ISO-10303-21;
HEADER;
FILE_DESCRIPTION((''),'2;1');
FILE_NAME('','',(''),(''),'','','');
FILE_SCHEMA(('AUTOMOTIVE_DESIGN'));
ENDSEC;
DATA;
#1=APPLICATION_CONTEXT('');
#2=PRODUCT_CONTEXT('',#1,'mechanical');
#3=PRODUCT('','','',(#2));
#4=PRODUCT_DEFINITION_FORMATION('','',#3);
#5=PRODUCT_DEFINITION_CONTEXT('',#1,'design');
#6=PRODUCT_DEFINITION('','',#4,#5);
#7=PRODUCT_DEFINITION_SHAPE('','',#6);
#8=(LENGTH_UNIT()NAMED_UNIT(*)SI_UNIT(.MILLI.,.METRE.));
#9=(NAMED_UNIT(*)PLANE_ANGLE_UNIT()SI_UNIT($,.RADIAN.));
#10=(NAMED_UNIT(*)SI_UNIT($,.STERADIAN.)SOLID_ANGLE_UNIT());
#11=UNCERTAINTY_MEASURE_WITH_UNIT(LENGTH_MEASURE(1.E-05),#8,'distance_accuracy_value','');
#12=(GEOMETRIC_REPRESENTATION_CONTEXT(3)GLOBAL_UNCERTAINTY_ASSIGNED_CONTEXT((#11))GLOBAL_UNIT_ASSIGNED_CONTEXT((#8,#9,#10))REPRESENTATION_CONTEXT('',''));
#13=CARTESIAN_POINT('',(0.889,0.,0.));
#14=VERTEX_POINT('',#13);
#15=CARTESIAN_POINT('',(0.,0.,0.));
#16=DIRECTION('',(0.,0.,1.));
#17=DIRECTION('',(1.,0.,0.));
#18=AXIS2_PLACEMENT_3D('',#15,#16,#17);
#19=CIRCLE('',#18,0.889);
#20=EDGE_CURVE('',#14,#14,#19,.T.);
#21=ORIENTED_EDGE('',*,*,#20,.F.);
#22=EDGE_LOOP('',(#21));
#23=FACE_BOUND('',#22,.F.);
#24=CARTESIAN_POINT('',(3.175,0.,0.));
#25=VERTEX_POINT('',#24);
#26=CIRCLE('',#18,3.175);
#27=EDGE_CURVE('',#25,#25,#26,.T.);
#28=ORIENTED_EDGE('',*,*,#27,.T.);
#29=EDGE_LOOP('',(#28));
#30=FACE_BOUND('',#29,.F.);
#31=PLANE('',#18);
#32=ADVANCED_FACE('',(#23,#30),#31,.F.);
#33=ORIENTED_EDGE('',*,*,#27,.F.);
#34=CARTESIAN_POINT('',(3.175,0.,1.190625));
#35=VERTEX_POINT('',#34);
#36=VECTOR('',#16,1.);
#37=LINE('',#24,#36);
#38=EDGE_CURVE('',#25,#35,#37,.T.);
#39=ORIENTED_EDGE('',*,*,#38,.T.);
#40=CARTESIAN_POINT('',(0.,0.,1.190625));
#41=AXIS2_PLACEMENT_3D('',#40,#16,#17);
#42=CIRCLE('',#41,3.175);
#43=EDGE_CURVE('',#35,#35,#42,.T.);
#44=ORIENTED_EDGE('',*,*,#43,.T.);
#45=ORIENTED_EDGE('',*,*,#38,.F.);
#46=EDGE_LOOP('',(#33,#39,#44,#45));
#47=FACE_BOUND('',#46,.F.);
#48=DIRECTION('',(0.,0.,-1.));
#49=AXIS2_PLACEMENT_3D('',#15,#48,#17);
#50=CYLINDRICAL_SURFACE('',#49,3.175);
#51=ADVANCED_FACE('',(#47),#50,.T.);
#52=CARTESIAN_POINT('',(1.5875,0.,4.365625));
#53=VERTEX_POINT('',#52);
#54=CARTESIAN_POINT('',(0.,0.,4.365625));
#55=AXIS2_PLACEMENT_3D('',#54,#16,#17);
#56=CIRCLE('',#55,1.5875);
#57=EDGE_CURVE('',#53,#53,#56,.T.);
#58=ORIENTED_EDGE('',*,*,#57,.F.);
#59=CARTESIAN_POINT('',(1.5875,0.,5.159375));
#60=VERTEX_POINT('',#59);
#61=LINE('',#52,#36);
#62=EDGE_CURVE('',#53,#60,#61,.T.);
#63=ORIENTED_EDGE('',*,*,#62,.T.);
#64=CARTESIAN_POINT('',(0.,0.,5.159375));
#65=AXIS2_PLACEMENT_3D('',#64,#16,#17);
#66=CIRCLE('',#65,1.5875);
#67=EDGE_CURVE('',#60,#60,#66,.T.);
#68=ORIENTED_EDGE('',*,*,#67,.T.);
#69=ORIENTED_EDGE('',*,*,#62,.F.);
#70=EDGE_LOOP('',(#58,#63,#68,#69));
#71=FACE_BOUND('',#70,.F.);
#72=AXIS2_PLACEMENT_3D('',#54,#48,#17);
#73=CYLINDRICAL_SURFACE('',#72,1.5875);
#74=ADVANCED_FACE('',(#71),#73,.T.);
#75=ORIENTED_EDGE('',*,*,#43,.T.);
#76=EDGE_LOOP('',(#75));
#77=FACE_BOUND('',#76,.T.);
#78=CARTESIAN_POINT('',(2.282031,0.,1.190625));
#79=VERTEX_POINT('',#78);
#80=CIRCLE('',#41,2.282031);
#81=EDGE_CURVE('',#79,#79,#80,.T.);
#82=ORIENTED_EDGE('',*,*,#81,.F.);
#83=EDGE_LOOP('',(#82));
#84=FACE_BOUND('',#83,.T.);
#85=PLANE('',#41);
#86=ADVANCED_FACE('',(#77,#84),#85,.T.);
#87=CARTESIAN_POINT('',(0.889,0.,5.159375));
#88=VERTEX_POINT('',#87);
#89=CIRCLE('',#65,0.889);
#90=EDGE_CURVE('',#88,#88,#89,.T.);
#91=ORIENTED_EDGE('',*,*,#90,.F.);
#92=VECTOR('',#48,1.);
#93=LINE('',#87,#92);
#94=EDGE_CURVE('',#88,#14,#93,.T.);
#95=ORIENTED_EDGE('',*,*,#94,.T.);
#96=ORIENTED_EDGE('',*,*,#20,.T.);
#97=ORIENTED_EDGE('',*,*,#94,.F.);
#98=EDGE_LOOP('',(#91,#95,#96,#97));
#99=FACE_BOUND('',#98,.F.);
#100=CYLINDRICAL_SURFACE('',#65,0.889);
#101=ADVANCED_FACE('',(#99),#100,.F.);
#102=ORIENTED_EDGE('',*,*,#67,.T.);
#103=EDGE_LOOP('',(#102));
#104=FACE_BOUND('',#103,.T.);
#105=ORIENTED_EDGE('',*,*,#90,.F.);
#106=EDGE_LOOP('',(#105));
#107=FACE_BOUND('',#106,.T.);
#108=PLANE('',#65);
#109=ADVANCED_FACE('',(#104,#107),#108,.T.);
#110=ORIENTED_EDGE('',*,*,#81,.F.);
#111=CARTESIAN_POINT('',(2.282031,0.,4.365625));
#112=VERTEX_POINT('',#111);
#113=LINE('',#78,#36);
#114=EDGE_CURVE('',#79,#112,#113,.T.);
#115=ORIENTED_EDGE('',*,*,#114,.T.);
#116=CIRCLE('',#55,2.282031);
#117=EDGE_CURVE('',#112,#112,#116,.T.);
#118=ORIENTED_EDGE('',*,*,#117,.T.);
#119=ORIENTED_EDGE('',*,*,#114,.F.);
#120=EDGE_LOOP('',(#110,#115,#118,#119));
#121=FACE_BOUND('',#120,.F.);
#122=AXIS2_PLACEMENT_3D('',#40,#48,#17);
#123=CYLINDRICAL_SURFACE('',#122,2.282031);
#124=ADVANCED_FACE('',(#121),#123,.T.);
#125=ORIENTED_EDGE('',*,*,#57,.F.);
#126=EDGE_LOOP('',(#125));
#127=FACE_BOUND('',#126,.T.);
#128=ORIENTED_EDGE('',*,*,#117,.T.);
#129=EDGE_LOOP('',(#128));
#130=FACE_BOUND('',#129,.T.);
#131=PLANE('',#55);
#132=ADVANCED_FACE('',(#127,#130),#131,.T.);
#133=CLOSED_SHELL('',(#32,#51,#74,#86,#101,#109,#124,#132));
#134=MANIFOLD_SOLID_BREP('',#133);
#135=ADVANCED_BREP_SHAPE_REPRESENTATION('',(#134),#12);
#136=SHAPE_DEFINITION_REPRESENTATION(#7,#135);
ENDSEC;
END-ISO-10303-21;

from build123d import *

# Parameters (mm, degrees)
F0_R     = 3.175
F1_DEPTH = 1.190625
F2_R     = 2.282031
F3_DEPTH = 3.175
F4_R     = 1.5875
F5_DEPTH = 0.79375
F6_R     = 0.889
F7_DEPTH = 5.160375


with BuildPart() as f1:
    # F0 (on Top) → F1 (new body)
    with BuildSketch(Plane.XY):
        Circle(F0_R)
    extrude(amount=F1_DEPTH)

    # F2 (on face) → F3 (join)
    with BuildSketch(Plane.XY.offset(1.190625)):
        Circle(F2_R)
    extrude(amount=F3_DEPTH)

    # F4 (on face) → F5 (join)
    with BuildSketch(Plane.XY.offset(4.365625)):
        Circle(F4_R)
    extrude(amount=F5_DEPTH)

    # F6 (on face) → F7 (cut, through all)
    with BuildSketch(Plane.XY.offset(5.159375)):
        Circle(F6_R)
    extrude(amount=-F7_DEPTH, mode=Mode.SUBTRACT)


solid = f1.part
